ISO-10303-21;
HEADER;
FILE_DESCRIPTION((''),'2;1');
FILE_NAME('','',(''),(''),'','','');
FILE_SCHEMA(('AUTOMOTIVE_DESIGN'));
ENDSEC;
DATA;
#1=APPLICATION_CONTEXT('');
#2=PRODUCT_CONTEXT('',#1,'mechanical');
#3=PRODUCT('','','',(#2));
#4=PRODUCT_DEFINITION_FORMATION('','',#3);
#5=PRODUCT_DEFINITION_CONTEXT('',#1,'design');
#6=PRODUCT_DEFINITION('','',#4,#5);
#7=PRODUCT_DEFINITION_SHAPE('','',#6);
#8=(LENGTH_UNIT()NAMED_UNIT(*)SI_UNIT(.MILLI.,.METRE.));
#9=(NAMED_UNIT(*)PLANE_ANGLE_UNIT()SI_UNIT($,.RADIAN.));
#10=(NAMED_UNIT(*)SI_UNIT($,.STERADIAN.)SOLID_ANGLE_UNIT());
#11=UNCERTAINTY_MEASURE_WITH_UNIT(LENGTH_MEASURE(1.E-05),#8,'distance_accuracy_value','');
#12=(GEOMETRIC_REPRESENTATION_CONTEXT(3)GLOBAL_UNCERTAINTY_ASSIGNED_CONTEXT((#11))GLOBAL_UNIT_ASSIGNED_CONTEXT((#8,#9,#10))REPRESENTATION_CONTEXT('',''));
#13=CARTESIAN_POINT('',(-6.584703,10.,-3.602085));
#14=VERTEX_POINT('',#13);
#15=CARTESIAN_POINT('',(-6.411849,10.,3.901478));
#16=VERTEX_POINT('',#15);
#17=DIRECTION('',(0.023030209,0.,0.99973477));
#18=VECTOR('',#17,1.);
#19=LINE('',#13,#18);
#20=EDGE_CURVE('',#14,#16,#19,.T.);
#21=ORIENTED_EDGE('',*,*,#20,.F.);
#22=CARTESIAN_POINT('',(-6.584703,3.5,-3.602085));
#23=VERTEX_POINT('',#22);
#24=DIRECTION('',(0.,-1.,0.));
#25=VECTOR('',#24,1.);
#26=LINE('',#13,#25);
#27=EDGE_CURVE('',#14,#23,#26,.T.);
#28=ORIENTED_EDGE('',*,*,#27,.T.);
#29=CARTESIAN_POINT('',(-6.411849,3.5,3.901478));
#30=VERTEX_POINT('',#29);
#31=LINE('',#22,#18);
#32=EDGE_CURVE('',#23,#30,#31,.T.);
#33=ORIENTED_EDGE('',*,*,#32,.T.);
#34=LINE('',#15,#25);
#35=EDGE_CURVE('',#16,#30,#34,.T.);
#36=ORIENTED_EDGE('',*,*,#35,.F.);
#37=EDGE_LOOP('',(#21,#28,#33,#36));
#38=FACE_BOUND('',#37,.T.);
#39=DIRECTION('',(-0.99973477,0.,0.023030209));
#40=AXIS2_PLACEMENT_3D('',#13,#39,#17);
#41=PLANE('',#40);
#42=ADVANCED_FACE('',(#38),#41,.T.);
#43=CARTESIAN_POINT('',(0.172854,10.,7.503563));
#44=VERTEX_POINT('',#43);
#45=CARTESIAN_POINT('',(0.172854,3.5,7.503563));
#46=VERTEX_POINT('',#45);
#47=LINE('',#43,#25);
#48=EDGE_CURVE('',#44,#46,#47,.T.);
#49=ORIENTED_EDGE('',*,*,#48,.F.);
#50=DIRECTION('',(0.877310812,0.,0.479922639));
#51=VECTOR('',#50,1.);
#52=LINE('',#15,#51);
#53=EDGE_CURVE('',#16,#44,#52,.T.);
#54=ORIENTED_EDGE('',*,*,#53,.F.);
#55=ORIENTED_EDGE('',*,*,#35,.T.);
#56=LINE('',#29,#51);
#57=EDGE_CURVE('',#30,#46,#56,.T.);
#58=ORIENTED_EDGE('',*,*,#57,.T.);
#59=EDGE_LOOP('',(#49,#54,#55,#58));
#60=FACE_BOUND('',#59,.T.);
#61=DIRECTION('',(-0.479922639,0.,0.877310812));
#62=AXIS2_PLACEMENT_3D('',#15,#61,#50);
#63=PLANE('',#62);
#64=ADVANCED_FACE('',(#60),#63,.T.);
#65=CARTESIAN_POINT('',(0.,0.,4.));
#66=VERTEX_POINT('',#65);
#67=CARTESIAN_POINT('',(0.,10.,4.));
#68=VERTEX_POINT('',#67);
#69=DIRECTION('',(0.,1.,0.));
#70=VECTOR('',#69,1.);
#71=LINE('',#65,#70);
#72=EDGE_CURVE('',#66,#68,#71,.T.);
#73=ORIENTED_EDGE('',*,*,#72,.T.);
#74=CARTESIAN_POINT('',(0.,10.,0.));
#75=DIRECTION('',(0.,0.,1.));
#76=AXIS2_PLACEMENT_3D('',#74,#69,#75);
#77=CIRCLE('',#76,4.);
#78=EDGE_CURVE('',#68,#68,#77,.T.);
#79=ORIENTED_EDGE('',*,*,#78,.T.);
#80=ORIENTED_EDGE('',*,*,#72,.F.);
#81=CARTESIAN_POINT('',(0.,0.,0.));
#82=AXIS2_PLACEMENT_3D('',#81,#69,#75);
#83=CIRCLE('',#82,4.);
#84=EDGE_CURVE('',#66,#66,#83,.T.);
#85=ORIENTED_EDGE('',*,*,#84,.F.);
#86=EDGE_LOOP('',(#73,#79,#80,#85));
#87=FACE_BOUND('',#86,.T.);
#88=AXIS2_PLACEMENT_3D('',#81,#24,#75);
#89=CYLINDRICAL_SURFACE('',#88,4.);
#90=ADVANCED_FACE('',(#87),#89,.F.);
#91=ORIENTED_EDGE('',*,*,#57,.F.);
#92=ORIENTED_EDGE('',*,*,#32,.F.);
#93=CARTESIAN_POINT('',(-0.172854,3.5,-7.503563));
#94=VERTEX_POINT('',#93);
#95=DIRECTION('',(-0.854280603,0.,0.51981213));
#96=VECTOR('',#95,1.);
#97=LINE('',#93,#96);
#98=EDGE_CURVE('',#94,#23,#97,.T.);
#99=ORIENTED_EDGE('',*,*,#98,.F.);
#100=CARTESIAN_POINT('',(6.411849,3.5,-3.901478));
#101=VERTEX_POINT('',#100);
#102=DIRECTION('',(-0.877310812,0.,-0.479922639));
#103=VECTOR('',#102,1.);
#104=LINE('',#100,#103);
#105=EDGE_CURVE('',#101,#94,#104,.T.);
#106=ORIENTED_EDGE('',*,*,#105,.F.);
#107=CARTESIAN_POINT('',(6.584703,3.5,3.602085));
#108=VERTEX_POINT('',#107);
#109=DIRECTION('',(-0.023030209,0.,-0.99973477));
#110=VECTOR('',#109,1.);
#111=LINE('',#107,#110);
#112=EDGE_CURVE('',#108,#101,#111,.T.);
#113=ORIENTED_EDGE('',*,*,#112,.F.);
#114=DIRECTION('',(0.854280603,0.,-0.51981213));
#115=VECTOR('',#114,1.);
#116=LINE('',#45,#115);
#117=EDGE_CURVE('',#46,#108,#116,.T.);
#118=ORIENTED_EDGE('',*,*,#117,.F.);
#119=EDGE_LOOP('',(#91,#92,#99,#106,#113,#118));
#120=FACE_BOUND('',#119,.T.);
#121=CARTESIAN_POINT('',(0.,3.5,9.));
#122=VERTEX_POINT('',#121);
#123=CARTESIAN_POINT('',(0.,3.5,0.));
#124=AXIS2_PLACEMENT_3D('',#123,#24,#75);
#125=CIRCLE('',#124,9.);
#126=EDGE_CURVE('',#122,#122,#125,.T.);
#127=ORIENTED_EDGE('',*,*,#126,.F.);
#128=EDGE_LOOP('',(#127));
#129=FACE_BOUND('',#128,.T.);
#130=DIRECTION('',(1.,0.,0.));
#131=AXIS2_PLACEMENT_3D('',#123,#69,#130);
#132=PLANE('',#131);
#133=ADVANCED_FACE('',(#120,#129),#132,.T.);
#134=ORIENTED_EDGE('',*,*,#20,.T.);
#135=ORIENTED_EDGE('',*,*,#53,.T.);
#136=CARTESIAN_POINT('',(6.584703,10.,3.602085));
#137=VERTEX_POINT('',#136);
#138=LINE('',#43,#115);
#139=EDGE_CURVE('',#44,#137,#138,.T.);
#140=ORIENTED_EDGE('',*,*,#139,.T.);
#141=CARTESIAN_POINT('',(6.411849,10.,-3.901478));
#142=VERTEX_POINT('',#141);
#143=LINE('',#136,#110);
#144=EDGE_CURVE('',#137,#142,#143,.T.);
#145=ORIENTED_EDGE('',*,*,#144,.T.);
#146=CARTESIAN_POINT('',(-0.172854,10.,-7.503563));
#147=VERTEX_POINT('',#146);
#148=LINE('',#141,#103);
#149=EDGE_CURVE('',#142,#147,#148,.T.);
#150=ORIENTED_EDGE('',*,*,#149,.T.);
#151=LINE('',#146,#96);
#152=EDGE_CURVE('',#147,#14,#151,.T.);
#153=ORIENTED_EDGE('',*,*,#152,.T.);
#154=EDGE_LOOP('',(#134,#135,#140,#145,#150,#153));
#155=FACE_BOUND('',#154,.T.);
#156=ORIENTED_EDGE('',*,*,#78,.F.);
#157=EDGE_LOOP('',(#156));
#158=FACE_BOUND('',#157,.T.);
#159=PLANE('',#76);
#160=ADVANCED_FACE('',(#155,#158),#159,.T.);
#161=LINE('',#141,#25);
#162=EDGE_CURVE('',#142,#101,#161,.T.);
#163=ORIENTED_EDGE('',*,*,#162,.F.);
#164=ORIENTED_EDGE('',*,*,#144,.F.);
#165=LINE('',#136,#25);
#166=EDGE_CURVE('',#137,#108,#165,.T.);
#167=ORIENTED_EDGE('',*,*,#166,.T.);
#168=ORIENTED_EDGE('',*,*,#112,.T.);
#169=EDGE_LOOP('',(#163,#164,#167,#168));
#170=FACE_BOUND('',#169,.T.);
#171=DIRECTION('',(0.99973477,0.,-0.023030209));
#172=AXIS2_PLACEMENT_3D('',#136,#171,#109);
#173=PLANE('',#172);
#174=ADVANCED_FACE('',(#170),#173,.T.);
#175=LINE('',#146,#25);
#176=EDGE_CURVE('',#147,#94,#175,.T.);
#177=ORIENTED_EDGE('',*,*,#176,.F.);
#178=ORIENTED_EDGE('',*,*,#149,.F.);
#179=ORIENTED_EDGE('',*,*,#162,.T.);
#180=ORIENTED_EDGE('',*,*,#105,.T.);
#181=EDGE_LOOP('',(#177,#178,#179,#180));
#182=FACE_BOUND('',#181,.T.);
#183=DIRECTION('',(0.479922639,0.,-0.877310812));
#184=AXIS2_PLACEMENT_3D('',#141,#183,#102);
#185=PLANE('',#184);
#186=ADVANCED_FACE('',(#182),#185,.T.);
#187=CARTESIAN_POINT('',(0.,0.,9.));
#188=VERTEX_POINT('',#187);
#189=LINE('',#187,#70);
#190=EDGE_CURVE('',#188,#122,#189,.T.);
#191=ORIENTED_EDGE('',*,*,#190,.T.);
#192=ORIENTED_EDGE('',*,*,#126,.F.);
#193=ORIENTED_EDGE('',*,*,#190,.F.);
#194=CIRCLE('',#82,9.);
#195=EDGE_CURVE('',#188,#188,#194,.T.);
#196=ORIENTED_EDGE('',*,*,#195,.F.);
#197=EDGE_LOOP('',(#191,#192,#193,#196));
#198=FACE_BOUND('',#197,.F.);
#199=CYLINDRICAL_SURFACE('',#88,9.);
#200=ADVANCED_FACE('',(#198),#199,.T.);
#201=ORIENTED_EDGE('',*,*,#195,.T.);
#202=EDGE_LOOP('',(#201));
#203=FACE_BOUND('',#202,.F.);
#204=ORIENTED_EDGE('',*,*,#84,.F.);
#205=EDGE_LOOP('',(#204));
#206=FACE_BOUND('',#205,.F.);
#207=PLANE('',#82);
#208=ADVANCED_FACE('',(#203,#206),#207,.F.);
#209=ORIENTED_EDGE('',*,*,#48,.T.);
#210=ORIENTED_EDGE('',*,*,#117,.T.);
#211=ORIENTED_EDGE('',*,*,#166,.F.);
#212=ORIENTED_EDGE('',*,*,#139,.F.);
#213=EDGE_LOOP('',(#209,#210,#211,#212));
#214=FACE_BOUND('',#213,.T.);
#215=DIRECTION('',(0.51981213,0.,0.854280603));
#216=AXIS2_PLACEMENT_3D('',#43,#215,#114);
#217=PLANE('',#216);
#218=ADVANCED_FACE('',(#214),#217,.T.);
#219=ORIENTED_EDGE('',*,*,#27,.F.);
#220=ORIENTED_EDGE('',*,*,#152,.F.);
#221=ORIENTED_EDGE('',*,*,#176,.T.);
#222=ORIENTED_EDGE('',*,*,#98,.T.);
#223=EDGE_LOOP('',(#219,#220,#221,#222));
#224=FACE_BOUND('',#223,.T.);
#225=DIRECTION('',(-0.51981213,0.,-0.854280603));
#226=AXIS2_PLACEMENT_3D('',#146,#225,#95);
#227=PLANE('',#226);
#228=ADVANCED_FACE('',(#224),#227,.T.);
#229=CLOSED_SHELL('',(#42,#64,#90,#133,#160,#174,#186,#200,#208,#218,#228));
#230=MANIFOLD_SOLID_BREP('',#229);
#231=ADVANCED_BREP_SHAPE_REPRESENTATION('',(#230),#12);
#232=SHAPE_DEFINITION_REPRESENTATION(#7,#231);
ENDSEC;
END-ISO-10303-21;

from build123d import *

# Parameters (mm, degrees)
SKETCH_1_R          = 9
SKETCH_1_R_2        = 4
EXTRUDE_1_DEPTH     = 10
SKETCH_2_R          = 9.49914793
CUT_EXTRUDE_2_DEPTH = 6.5


with BuildPart() as part:
    # 草图1 → 拉伸1 (new body)
    with BuildSketch(Plane(origin=(0, 0, 0), x_dir=(1, 0, 0), z_dir=(0, 1, 0))):
        with Locations(Location((0, 0, 0), (0, 0, 270))):
            Circle(SKETCH_1_R)
        with Locations(Location((0, 0, 0), (0, 0, 270))):
            Circle(SKETCH_1_R_2, mode=Mode.SUBTRACT)
    extrude(amount=EXTRUDE_1_DEPTH)

    # 草图2 → 拉伸2 (cut)
    with BuildSketch(Plane(origin=(0, 10, 0), x_dir=(1, 0, 0), z_dir=(0, 1, 0))):
        Circle(SKETCH_2_R)
        Polygon((6.584703233, -3.602085044), (6.411848771, 3.901477754), (-0.172854462, 7.503562798), (-6.584703233, 3.602085044), (-6.411848771, -3.901477754), (0.172854462, -7.503562798), align=None, mode=Mode.SUBTRACT)
    extrude(amount=-CUT_EXTRUDE_2_DEPTH, mode=Mode.SUBTRACT)


solid = part.part
